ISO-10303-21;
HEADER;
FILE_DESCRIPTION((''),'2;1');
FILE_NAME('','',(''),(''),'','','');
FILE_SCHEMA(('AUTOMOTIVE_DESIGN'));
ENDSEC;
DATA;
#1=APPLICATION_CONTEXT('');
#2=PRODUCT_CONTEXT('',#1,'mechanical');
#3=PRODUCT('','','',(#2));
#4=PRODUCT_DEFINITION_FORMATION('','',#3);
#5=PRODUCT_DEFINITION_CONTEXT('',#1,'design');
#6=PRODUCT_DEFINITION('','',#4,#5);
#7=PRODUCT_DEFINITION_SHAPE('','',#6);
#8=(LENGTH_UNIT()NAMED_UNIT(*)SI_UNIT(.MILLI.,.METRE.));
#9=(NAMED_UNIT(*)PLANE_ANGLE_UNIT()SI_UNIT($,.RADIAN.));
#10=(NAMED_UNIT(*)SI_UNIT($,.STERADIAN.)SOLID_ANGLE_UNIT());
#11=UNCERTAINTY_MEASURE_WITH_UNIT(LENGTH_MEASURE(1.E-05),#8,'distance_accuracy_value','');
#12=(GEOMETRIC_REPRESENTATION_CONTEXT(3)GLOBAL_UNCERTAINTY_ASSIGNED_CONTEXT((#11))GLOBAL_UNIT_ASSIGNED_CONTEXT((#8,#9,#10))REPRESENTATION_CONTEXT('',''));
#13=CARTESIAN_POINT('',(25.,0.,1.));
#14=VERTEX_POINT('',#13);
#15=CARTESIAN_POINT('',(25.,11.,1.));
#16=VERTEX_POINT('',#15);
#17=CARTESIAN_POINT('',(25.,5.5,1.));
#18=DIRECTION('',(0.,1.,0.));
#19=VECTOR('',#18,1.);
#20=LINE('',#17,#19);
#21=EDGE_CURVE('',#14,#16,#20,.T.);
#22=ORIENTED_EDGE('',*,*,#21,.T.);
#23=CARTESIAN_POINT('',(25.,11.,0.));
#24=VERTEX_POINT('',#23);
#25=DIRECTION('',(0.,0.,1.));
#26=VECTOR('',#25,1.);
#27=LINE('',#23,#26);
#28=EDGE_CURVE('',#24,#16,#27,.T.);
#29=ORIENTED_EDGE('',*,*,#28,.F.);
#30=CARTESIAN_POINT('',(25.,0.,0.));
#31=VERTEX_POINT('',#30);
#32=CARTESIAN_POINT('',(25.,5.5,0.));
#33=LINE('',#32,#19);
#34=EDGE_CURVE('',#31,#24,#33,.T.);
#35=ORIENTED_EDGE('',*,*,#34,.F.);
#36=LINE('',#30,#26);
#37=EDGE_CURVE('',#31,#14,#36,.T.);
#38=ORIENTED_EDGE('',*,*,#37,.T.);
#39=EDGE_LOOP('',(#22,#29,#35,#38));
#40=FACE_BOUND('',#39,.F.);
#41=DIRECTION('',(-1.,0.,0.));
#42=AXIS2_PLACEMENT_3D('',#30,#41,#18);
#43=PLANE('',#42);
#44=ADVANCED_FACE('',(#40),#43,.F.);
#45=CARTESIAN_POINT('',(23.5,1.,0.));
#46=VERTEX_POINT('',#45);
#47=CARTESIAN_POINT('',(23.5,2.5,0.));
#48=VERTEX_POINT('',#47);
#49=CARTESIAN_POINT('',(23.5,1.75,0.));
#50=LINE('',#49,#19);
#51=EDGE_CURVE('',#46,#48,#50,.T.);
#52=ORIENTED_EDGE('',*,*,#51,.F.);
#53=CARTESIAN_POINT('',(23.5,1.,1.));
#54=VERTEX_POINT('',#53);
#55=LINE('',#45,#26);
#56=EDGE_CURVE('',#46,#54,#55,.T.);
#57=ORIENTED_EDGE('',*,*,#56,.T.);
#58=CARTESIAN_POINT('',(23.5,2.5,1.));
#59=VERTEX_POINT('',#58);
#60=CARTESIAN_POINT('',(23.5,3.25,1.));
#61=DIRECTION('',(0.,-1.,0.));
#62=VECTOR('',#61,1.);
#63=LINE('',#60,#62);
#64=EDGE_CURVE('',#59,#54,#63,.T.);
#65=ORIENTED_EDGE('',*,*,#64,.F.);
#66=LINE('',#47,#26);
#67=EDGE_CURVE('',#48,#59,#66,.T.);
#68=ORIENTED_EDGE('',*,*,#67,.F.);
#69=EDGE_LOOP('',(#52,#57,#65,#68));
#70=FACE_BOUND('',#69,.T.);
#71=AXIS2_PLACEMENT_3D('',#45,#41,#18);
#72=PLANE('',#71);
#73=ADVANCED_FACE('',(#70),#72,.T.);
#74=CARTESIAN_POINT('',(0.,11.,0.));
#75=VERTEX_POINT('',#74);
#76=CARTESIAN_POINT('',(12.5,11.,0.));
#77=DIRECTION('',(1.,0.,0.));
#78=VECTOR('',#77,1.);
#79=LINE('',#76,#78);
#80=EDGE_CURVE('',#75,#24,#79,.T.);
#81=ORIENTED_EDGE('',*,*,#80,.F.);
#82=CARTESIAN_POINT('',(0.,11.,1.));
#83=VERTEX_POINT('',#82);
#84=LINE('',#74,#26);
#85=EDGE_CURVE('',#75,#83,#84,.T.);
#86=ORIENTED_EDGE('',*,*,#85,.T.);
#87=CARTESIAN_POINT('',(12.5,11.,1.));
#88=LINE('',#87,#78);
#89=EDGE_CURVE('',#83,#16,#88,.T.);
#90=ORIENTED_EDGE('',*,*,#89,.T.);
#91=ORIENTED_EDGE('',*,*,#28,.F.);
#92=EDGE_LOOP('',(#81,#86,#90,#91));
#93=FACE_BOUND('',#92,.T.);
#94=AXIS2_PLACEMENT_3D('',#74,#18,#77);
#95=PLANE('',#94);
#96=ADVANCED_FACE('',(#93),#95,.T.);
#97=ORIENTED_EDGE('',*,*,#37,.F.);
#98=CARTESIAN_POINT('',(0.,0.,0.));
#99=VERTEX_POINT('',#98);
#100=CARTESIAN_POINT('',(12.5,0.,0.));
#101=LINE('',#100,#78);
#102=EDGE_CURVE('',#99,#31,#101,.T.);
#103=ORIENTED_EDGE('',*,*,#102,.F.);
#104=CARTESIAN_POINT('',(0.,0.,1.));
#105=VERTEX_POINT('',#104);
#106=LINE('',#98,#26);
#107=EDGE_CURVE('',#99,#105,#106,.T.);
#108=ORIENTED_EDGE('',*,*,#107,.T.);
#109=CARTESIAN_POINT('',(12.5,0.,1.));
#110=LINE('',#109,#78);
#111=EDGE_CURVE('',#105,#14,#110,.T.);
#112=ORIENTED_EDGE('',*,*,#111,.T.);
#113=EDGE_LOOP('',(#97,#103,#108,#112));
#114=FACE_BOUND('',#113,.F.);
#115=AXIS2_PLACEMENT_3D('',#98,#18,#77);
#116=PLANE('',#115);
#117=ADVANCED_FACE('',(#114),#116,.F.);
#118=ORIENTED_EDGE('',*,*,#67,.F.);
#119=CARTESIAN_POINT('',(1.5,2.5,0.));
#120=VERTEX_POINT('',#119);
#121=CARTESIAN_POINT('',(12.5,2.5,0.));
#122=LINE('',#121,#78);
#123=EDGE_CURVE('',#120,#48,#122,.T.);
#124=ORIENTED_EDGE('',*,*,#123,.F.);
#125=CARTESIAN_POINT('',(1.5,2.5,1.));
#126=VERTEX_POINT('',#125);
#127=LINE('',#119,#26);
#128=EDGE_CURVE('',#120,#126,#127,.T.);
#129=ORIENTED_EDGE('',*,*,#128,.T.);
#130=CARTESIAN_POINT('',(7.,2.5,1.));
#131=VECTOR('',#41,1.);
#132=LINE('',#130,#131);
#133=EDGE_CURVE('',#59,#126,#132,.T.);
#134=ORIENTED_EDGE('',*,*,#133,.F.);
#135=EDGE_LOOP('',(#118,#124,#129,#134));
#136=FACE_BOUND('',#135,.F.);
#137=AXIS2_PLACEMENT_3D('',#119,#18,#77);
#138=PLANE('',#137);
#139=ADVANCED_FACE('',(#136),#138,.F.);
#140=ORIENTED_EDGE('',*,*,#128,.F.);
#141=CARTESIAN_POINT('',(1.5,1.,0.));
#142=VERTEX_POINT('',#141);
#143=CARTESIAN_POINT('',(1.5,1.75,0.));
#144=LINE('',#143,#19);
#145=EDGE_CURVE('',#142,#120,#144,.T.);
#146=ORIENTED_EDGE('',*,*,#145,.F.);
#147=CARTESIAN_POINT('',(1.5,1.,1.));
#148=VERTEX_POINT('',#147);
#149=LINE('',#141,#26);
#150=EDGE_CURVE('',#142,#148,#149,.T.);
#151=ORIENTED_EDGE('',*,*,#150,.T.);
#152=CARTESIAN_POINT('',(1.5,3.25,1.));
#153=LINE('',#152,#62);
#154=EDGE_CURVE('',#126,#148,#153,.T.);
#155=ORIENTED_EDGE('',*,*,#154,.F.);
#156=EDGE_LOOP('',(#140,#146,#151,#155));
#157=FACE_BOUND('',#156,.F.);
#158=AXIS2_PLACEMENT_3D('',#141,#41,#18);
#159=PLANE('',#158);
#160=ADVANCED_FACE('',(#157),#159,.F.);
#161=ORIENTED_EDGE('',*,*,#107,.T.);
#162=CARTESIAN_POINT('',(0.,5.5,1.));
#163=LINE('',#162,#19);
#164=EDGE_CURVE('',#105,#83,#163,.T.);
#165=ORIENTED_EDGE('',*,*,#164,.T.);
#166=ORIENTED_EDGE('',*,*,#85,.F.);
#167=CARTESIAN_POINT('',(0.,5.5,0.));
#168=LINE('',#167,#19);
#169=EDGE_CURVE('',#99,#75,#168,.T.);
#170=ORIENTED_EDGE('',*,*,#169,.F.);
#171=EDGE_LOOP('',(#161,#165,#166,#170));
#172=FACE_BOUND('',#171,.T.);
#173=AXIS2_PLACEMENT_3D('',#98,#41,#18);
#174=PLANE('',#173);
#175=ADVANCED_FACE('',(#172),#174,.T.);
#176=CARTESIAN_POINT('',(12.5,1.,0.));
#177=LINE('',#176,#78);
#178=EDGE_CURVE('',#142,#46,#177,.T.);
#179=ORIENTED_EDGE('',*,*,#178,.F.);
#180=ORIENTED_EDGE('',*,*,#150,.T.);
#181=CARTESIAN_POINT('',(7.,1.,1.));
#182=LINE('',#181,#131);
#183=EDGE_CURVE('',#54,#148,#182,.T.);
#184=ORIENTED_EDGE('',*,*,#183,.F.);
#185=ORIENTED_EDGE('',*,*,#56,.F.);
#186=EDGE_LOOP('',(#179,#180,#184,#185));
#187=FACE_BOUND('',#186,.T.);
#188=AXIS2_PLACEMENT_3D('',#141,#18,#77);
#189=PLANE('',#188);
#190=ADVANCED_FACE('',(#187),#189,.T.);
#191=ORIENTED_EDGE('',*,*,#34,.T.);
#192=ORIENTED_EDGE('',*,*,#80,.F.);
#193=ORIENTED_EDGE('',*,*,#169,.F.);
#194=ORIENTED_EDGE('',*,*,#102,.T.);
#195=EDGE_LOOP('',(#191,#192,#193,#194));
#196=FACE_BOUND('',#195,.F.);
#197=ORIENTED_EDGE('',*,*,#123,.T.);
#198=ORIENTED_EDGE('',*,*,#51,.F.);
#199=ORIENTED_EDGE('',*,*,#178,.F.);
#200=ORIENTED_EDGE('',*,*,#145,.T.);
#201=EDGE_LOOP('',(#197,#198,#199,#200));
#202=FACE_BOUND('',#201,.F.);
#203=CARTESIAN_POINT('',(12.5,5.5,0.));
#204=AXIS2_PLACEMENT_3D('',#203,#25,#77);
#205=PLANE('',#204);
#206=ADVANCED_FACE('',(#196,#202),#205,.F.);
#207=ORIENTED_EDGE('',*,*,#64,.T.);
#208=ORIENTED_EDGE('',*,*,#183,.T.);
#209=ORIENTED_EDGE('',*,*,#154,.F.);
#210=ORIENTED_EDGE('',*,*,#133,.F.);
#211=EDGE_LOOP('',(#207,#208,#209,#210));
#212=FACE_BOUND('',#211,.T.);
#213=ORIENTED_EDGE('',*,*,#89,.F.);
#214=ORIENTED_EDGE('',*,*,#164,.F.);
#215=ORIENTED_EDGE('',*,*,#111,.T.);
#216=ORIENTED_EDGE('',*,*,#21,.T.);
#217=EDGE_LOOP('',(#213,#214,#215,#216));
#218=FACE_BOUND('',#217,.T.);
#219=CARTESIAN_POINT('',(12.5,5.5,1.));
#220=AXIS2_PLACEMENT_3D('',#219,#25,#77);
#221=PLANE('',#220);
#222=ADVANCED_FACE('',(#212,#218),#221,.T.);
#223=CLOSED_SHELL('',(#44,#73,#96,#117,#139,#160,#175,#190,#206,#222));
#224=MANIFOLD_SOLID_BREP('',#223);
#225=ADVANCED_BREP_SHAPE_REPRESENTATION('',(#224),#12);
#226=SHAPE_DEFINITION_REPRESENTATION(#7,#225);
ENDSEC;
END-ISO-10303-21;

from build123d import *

# Parameters (mm, degrees)
BOX135_W     = 22
BOX135_H     = 1.5
BOX135_DEPTH = 2
BOX134_W     = 25
BOX134_H     = 11
BOX134_DEPTH = 1


with BuildPart() as longledhole006:
    # Box135 → Box135 (new body)
    with BuildSketch(Plane(origin=(1.5, 1, 0), x_dir=(1, 0, 0), z_dir=(0, 0, 1))):
        with Locations((11, 0.75)):
            Rectangle(BOX135_W, BOX135_H)
    extrude(amount=BOX135_DEPTH)


with BuildPart() as cut023:
    # Box134 → Box134 (new body)
    with BuildSketch(Plane.XY):
        with Locations((12.5, 5.5)):
            Rectangle(BOX134_W, BOX134_H)
    extrude(amount=BOX134_DEPTH)

    # Cut023: cut LongLedHole006
    add(longledhole006.part, mode=Mode.SUBTRACT)


solid = cut023.part
